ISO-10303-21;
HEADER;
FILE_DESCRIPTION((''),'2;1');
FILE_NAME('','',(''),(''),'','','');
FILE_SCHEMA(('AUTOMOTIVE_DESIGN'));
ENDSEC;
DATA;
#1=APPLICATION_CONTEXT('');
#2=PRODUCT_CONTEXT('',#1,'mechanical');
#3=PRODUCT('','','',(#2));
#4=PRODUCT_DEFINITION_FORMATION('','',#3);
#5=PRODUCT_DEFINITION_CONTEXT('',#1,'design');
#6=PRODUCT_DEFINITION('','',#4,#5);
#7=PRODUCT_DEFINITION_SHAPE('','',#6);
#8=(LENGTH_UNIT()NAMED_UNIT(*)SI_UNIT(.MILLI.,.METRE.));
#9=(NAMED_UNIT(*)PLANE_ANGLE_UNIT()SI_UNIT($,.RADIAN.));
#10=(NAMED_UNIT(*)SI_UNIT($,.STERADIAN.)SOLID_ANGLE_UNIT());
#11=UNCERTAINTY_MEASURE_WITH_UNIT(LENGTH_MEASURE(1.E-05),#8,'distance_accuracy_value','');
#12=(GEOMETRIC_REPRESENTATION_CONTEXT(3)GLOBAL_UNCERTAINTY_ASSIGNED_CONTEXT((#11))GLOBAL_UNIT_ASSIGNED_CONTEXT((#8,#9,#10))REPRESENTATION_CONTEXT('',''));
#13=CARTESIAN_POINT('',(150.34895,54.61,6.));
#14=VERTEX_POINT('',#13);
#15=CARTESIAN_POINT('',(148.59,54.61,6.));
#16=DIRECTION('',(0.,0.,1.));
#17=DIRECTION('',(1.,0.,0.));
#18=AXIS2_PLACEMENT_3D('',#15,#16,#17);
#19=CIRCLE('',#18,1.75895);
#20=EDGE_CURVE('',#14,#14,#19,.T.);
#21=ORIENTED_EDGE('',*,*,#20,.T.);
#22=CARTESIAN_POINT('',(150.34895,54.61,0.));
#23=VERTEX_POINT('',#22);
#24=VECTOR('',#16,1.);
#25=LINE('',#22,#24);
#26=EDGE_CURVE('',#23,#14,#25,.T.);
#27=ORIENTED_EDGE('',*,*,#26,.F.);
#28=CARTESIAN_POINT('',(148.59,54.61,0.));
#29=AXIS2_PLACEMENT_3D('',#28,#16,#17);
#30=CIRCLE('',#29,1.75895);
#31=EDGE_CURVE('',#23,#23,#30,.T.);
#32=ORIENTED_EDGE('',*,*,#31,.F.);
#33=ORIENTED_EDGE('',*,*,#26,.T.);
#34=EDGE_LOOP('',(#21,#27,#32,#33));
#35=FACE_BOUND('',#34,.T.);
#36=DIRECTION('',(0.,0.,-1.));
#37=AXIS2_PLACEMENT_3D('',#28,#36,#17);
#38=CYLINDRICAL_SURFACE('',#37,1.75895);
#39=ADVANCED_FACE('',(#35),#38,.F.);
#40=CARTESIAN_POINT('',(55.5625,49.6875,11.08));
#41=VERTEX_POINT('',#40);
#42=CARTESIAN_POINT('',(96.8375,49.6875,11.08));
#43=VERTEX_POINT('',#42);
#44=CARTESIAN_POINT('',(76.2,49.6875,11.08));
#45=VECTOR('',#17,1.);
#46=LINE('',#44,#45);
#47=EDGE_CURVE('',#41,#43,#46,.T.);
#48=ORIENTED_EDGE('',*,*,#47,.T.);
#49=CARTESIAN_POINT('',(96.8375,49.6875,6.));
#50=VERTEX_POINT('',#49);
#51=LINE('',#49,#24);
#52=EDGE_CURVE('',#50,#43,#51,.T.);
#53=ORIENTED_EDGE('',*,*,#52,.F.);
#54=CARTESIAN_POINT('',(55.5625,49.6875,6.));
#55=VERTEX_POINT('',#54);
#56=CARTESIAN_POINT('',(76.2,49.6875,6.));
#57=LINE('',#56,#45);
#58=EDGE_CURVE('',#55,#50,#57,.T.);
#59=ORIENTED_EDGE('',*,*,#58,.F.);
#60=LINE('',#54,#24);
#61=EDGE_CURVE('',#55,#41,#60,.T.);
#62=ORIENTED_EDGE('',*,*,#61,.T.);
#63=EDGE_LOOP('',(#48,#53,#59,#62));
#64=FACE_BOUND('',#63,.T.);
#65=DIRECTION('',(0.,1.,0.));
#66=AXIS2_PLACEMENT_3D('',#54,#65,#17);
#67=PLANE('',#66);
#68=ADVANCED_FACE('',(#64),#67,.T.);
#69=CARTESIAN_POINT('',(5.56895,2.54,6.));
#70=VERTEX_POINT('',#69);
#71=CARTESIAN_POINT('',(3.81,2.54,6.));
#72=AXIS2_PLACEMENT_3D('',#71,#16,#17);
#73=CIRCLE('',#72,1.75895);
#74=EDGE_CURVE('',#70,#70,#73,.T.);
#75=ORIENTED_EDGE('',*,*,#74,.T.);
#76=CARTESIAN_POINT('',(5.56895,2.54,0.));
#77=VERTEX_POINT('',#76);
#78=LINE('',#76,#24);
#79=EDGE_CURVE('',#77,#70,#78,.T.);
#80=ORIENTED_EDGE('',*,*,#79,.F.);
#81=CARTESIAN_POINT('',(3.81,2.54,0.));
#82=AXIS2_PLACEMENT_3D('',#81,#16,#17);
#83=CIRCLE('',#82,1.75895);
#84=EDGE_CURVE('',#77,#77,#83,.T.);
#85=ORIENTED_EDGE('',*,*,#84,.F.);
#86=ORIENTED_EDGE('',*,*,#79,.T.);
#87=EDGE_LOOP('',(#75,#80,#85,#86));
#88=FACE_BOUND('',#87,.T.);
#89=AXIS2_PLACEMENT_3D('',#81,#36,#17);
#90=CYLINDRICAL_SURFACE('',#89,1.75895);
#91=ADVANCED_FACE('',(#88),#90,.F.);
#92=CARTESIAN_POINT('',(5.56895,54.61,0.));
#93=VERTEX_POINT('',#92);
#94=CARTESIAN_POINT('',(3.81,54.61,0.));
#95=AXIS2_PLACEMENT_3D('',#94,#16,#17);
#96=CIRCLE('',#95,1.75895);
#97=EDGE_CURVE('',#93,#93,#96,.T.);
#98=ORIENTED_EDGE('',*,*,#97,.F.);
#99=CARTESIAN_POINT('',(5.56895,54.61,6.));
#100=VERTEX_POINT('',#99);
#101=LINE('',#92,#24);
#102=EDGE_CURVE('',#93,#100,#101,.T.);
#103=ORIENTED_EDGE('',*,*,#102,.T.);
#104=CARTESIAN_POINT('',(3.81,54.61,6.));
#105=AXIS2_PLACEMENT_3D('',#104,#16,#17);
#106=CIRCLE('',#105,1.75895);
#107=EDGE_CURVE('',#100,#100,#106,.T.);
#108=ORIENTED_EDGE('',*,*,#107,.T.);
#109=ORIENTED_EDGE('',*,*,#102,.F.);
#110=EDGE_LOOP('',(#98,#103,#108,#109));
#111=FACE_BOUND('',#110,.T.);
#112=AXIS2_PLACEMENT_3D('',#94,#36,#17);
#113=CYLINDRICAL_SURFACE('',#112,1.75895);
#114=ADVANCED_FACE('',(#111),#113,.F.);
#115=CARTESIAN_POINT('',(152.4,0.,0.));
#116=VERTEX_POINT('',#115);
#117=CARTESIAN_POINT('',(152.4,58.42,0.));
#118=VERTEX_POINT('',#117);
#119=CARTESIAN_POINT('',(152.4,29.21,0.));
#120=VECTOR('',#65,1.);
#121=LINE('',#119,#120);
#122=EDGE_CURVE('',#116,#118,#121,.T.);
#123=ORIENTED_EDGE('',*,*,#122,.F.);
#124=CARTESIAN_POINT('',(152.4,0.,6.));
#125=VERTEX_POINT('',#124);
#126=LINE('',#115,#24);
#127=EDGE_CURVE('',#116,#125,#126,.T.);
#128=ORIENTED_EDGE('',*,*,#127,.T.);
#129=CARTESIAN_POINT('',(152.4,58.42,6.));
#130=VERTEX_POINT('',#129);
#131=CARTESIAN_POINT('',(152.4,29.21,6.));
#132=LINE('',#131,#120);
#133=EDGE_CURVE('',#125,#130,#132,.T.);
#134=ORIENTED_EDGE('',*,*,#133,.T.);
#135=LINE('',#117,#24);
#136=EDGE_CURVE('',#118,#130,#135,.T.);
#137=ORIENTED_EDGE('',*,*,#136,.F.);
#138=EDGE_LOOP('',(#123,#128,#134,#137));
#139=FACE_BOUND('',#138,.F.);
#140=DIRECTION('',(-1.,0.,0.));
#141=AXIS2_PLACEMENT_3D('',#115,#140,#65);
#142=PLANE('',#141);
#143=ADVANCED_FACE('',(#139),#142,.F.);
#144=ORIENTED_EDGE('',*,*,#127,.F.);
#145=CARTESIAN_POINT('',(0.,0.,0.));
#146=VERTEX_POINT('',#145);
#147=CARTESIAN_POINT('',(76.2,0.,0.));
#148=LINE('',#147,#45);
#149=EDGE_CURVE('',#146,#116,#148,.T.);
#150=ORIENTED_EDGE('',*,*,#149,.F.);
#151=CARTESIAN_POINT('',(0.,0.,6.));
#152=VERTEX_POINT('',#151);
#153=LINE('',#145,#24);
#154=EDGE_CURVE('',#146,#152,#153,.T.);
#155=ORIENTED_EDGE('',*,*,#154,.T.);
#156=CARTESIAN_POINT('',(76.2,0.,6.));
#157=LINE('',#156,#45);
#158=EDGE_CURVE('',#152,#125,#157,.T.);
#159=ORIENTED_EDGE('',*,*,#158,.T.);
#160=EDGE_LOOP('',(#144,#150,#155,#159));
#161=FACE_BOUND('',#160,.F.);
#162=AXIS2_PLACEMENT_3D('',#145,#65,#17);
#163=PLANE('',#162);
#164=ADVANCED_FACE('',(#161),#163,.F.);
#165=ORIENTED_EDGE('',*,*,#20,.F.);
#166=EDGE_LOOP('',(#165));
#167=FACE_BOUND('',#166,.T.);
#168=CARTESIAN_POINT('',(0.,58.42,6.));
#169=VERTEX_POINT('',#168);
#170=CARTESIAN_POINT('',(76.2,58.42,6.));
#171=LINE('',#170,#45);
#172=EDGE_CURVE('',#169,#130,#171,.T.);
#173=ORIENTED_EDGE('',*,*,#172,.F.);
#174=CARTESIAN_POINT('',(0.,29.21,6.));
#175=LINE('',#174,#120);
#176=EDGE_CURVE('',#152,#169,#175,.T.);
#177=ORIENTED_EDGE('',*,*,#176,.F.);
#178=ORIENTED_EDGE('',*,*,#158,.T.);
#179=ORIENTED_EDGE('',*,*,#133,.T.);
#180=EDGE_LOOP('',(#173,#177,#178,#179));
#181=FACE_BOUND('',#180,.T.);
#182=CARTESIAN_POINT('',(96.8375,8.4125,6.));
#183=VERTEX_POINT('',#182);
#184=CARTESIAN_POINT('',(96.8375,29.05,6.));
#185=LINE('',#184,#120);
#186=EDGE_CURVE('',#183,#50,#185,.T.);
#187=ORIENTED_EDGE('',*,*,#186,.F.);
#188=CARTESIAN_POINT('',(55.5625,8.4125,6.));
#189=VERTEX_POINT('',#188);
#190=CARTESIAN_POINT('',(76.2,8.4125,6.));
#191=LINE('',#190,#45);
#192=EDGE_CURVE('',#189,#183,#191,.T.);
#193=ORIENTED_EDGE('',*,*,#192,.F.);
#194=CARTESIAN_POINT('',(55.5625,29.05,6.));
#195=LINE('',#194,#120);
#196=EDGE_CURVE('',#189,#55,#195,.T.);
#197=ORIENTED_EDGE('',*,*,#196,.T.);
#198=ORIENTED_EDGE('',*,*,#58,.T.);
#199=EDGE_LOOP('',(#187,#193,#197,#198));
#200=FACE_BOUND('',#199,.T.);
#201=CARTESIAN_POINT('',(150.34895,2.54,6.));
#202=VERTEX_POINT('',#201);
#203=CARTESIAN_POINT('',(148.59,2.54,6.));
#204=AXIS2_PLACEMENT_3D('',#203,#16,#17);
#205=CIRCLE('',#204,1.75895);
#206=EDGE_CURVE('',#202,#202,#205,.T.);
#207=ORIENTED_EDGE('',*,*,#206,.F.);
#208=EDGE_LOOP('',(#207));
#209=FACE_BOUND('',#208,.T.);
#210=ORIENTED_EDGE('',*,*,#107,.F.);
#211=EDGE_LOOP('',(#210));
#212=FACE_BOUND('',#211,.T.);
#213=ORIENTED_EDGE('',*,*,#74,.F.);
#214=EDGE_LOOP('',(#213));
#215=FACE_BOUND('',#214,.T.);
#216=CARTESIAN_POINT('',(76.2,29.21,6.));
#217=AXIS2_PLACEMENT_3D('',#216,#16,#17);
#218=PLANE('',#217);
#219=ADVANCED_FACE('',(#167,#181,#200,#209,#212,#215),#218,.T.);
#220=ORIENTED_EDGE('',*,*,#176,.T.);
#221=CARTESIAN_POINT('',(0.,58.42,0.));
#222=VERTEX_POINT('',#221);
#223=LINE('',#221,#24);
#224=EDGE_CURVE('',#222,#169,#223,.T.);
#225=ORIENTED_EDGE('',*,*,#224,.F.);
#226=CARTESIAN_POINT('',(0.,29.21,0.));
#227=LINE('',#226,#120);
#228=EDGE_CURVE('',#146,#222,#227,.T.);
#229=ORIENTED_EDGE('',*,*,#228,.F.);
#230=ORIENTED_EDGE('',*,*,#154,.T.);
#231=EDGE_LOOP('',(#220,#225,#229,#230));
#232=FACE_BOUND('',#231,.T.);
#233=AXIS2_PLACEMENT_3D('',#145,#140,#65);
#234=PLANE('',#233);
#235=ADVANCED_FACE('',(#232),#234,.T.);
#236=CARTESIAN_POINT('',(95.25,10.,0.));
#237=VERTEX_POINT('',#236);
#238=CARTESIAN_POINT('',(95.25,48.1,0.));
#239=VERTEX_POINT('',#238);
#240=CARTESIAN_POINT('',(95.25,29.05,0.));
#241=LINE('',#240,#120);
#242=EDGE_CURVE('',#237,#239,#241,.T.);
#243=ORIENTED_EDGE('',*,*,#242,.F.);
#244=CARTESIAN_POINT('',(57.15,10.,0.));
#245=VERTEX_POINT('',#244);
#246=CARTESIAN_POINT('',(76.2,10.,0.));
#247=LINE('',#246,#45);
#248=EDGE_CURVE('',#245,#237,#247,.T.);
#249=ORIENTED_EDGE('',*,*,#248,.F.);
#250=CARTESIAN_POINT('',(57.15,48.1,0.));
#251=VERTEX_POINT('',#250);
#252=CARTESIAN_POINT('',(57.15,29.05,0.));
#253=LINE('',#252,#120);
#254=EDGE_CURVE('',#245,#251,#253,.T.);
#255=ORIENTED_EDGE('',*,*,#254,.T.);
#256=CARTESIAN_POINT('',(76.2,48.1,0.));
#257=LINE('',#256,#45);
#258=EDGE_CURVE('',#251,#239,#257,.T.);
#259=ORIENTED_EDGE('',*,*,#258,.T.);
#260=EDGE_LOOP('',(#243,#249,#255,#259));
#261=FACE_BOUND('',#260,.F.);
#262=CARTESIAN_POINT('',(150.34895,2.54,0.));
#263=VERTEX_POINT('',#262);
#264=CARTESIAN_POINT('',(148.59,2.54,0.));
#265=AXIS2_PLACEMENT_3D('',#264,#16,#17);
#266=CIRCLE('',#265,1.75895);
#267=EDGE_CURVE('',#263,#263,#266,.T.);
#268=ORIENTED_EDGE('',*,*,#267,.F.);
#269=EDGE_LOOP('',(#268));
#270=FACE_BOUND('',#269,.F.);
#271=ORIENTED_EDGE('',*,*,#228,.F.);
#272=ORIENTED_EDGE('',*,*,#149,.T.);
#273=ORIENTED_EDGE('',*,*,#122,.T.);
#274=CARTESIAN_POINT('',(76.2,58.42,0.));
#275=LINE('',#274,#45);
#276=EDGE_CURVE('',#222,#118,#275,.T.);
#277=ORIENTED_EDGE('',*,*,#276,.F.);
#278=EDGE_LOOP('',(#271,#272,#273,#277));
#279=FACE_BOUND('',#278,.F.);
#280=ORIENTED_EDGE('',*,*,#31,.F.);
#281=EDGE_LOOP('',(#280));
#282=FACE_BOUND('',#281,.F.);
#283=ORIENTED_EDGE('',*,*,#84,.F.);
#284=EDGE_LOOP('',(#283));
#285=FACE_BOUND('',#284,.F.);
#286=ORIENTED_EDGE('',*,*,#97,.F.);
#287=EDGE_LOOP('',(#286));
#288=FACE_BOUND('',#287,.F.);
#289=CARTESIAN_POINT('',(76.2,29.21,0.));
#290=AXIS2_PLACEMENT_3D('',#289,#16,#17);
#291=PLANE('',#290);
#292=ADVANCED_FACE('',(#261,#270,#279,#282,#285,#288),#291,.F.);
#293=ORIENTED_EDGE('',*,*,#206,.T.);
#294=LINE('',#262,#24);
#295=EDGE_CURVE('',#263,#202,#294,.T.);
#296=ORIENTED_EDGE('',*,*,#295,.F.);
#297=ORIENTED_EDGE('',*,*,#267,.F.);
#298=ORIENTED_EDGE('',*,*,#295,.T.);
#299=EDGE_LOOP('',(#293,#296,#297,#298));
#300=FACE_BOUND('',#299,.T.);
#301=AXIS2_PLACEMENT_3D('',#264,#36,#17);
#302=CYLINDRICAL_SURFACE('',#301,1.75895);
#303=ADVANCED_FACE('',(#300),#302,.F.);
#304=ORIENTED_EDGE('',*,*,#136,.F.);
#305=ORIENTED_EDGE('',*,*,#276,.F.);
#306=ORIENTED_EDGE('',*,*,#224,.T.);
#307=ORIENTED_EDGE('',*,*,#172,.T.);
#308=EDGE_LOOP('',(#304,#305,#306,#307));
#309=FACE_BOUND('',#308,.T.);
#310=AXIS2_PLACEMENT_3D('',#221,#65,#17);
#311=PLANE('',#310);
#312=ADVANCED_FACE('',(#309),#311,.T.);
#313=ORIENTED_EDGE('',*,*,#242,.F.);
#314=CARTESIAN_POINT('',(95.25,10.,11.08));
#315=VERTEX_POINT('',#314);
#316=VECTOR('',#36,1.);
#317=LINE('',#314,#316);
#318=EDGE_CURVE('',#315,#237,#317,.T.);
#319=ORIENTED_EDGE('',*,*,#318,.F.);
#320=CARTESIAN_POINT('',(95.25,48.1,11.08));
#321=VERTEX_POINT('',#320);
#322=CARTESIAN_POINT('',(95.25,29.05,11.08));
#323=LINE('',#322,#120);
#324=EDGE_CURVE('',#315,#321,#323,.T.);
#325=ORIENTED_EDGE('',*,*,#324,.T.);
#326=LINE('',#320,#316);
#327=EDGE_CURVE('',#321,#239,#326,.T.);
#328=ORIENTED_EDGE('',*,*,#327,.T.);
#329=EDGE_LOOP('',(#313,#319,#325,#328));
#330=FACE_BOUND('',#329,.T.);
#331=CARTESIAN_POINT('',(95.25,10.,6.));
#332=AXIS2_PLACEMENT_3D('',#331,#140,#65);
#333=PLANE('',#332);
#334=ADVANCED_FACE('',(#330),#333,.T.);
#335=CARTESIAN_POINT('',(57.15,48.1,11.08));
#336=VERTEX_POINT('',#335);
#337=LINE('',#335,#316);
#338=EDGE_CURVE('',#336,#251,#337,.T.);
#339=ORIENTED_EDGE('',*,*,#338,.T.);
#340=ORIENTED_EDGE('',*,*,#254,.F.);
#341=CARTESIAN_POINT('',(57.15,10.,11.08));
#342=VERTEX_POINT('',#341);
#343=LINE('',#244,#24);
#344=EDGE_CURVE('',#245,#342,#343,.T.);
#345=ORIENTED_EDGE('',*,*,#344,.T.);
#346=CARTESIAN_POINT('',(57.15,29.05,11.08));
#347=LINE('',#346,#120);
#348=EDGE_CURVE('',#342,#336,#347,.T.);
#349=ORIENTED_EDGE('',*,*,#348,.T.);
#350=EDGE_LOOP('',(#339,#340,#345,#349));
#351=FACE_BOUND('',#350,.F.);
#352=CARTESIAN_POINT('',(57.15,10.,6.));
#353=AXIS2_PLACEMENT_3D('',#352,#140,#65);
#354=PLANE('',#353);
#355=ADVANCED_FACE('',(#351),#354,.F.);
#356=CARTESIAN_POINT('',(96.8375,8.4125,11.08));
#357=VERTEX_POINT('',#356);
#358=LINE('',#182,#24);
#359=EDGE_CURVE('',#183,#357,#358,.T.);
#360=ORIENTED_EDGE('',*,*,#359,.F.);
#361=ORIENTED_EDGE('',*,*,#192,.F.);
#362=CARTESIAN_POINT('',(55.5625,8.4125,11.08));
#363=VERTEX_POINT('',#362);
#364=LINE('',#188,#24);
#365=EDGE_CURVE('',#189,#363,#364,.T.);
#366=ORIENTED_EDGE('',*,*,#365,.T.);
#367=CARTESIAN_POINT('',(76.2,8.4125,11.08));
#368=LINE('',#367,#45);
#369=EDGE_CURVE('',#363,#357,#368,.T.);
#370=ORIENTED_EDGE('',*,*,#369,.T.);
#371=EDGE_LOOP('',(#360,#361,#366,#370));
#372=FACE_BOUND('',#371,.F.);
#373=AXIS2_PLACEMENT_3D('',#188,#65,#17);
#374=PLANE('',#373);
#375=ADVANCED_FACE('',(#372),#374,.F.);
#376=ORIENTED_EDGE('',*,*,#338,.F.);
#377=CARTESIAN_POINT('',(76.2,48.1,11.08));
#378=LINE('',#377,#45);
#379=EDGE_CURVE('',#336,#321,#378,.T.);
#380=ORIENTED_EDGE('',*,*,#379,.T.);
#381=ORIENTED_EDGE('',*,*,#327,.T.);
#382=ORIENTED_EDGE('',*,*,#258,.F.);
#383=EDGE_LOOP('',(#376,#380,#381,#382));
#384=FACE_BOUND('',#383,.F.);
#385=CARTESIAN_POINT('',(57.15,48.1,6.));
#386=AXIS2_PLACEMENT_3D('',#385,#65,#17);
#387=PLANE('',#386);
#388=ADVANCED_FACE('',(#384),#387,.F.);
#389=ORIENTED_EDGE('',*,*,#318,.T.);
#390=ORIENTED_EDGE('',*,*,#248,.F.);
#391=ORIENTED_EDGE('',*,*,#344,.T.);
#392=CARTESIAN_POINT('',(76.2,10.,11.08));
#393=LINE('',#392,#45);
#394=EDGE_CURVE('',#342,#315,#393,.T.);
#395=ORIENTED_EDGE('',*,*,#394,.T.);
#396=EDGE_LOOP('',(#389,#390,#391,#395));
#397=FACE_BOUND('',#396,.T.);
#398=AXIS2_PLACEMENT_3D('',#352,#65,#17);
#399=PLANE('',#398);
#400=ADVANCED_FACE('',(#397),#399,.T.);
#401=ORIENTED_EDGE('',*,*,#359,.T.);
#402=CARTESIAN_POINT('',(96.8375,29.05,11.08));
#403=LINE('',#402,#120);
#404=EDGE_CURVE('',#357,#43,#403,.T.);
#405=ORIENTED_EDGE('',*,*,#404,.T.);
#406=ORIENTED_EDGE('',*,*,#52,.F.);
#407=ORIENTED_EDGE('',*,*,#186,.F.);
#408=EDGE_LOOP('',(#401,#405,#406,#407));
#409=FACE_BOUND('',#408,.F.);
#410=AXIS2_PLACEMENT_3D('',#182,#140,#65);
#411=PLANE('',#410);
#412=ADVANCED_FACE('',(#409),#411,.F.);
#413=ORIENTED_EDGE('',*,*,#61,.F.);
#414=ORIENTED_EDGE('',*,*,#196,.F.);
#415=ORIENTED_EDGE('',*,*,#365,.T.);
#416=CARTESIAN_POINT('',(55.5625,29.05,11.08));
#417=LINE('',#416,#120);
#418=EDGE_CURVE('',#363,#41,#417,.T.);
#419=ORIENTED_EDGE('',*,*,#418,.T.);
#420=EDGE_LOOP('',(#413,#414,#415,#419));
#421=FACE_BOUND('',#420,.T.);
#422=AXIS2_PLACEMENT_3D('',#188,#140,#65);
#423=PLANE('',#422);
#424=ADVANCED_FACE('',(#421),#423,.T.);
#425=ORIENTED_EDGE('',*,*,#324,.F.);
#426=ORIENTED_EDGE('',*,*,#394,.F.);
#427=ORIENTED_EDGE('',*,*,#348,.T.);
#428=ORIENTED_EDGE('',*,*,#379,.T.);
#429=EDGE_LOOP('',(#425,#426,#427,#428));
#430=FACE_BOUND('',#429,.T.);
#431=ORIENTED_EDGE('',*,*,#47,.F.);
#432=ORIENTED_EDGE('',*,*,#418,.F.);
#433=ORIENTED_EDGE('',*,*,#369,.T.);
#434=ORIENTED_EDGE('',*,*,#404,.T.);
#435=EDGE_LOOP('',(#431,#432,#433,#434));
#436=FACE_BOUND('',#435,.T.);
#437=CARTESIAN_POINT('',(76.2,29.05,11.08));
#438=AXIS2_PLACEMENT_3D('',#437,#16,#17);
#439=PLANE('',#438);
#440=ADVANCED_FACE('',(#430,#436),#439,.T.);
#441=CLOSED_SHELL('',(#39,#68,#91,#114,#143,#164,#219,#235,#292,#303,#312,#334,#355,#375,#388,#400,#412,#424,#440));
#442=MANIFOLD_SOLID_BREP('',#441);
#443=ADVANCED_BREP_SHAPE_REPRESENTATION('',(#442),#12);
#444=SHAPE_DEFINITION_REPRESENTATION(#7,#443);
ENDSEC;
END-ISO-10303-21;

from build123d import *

# Parameters (mm, degrees)
F0_W     = 152.4
F0_H     = 58.42
F0_R     = 1.75895
F0_W_2   = 38.1
F0_H_2   = 38.1
F1_DEPTH = 6
F2_W     = 41.275
F2_H     = 41.275
F2_W_2   = 38.1
F2_H_2   = 38.1
F3_DEPTH = 5.08


with BuildPart() as f1:
    # F0 (on Top) → F1 (new body)
    with BuildSketch(Plane.XY):
        with Locations((76.2, 29.21)):
            Rectangle(F0_W, F0_H)
        with Locations((3.81, 2.54)):
            Circle(F0_R, mode=Mode.SUBTRACT)
        with Locations((148.59, 2.54)):
            Circle(F0_R, mode=Mode.SUBTRACT)
        with Locations((76.2, 29.05)):
            Rectangle(F0_W_2, F0_H_2, mode=Mode.SUBTRACT)
        with Locations((3.81, 54.61)):
            Circle(F0_R, mode=Mode.SUBTRACT)
        with Locations((148.59, 54.61)):
            Circle(F0_R, mode=Mode.SUBTRACT)
    extrude(amount=F1_DEPTH)

    # F2 (on face) → F3 (join)
    with BuildSketch(Plane.XY.offset(6)):
        with Locations((76.2, 29.05)):
            Rectangle(F2_W, F2_H)
        with Locations((76.2, 29.05)):
            Rectangle(F2_W_2, F2_H_2, mode=Mode.SUBTRACT)
    extrude(amount=F3_DEPTH)


solid = f1.part
